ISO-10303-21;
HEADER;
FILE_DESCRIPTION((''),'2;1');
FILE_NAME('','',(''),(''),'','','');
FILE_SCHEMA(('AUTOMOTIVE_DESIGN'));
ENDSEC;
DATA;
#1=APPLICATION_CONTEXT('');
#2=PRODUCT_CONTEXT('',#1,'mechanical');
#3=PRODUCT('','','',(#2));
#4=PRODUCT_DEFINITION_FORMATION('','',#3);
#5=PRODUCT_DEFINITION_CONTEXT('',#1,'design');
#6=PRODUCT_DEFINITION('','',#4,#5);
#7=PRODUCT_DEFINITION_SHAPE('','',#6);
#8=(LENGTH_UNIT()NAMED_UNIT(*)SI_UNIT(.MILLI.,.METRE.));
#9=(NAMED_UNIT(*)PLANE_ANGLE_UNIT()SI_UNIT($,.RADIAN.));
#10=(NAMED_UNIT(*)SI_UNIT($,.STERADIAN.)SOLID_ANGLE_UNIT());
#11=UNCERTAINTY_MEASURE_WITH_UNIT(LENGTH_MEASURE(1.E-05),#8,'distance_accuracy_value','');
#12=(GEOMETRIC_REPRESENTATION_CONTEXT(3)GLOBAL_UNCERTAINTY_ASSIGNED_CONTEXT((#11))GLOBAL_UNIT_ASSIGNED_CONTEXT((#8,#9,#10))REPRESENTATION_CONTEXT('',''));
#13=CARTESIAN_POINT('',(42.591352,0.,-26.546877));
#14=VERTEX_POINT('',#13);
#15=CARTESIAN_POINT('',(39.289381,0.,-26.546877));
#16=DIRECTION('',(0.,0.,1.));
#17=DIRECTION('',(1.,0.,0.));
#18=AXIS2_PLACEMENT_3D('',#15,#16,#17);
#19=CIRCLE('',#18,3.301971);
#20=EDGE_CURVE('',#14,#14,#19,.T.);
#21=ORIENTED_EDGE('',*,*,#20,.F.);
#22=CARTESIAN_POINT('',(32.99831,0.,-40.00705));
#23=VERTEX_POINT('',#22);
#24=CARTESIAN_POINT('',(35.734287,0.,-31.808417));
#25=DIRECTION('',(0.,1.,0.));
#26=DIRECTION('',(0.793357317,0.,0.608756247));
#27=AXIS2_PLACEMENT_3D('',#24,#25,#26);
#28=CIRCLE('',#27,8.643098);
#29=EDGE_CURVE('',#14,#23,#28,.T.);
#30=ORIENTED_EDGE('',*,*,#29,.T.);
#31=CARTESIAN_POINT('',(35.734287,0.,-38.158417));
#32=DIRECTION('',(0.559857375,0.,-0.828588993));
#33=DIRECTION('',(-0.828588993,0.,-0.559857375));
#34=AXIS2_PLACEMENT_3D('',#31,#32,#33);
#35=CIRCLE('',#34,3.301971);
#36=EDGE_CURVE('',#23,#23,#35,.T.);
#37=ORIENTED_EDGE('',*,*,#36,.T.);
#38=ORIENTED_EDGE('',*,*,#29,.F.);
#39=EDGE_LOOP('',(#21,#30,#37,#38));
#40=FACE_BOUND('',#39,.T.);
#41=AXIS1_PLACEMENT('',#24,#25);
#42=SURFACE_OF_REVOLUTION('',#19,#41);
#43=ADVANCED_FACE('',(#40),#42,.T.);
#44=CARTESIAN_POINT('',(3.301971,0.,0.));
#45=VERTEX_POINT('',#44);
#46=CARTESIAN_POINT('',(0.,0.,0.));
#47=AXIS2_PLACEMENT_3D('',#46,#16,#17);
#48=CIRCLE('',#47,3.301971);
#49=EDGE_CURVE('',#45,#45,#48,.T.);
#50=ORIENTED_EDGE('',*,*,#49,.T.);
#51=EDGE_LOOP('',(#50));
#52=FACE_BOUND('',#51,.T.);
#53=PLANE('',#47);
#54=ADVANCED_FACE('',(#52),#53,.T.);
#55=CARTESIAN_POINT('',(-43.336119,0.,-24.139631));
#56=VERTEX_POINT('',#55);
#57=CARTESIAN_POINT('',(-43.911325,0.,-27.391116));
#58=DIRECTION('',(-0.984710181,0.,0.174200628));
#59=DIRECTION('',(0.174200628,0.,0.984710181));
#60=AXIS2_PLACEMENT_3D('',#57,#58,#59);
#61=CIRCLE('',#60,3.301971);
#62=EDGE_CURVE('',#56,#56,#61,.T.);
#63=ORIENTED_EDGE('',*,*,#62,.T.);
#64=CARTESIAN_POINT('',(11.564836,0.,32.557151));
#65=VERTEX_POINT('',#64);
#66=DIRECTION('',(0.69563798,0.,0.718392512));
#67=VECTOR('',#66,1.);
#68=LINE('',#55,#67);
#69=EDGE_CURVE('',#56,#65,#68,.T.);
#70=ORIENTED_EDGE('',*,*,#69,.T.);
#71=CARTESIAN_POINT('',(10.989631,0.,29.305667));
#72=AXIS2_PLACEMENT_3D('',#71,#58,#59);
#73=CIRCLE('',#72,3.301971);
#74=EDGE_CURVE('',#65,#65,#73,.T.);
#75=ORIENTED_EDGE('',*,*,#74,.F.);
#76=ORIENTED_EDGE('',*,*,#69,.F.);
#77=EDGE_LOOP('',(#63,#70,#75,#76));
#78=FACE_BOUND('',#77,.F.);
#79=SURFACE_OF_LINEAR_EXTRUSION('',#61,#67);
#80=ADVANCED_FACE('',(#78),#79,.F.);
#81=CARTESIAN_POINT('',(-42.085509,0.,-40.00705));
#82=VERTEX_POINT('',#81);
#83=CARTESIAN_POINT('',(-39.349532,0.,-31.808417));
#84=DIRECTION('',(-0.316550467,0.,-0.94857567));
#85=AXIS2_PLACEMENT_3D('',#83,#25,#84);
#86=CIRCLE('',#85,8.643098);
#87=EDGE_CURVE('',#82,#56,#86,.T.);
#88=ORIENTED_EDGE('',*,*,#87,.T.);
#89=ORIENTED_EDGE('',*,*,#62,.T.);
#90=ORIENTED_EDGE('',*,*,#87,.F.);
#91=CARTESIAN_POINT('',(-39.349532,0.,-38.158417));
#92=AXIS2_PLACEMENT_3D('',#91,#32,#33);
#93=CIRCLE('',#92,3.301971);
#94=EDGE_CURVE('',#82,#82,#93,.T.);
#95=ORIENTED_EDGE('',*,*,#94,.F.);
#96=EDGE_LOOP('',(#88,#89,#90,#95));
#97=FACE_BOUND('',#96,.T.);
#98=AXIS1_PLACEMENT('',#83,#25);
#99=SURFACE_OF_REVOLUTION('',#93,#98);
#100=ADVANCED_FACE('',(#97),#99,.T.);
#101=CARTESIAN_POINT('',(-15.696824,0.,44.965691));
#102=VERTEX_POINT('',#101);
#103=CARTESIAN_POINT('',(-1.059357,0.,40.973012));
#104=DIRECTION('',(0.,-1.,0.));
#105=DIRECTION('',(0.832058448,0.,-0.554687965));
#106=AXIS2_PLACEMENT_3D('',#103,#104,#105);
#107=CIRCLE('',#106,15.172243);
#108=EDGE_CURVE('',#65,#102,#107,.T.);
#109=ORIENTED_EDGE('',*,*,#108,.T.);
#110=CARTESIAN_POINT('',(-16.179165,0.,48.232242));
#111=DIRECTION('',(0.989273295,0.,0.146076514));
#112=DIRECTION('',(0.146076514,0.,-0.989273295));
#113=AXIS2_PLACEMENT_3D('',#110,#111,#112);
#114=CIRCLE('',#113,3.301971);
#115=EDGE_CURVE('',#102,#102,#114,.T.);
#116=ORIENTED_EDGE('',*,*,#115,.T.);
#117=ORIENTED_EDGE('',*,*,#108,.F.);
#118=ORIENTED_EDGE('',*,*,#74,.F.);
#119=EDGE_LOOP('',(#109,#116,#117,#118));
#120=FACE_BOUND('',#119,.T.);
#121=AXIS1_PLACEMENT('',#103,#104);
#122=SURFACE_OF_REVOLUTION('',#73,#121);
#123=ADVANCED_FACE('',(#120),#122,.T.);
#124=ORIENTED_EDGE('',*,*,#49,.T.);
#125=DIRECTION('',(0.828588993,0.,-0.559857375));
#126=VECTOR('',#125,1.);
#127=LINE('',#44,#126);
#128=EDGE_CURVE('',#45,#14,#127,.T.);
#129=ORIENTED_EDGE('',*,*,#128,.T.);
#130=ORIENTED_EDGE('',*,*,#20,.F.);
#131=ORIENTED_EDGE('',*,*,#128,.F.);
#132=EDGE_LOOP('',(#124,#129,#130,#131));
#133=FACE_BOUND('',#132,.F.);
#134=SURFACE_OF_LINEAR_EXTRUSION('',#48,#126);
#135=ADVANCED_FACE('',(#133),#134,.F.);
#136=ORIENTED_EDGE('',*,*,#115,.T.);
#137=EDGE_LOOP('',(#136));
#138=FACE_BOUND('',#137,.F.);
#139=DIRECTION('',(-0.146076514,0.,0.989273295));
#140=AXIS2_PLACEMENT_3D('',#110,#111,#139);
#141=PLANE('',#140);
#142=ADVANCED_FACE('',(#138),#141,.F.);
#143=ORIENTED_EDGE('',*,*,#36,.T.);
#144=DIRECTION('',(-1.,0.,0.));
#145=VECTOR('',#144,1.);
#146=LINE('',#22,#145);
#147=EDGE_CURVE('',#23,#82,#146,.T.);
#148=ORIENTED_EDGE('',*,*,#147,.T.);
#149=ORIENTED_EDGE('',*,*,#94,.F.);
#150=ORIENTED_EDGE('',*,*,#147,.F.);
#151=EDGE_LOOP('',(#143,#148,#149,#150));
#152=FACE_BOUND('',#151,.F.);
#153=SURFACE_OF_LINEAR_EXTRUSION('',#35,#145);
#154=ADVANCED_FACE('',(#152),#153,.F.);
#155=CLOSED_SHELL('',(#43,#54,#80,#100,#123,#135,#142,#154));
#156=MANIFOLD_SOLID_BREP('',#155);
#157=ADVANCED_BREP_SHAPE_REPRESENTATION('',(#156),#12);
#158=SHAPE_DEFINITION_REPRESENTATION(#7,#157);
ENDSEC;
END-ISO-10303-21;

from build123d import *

# Parameters (mm, degrees)
F1_R = 3.3019709843


with BuildPart() as f2:
    # F2: sweep along a path in F0
    with BuildLine(Plane.XZ) as f2_path:
        Line((0, 0), (39.2893811595, -26.5468766402))
        ThreePointArc((39.2893811595, -26.5468766402), (41.806077327, -33.6674111422), (35.7342868298, -38.158416748))
        Line((35.7342868298, -38.158416748), (-39.3495321386, -38.158416748))
        ThreePointArc((-39.3495321386, -38.158416748), (-45.1964271457, -34.2855761647), (-43.9113245874, -27.391115575))
        Line((-43.9113245874, -27.391115575), (10.9896305948, 29.3056666851))
        ThreePointArc((10.9896305948, 29.3056666851), (8.5276815564, 54.7350509883), (-16.1791648716, 48.232242465))
    # F1 (on Top) → F2 (sweep)
    with BuildSketch(Plane.XY):
        Circle(F1_R)
    sweep(path=f2_path.line)


solid = f2.part
